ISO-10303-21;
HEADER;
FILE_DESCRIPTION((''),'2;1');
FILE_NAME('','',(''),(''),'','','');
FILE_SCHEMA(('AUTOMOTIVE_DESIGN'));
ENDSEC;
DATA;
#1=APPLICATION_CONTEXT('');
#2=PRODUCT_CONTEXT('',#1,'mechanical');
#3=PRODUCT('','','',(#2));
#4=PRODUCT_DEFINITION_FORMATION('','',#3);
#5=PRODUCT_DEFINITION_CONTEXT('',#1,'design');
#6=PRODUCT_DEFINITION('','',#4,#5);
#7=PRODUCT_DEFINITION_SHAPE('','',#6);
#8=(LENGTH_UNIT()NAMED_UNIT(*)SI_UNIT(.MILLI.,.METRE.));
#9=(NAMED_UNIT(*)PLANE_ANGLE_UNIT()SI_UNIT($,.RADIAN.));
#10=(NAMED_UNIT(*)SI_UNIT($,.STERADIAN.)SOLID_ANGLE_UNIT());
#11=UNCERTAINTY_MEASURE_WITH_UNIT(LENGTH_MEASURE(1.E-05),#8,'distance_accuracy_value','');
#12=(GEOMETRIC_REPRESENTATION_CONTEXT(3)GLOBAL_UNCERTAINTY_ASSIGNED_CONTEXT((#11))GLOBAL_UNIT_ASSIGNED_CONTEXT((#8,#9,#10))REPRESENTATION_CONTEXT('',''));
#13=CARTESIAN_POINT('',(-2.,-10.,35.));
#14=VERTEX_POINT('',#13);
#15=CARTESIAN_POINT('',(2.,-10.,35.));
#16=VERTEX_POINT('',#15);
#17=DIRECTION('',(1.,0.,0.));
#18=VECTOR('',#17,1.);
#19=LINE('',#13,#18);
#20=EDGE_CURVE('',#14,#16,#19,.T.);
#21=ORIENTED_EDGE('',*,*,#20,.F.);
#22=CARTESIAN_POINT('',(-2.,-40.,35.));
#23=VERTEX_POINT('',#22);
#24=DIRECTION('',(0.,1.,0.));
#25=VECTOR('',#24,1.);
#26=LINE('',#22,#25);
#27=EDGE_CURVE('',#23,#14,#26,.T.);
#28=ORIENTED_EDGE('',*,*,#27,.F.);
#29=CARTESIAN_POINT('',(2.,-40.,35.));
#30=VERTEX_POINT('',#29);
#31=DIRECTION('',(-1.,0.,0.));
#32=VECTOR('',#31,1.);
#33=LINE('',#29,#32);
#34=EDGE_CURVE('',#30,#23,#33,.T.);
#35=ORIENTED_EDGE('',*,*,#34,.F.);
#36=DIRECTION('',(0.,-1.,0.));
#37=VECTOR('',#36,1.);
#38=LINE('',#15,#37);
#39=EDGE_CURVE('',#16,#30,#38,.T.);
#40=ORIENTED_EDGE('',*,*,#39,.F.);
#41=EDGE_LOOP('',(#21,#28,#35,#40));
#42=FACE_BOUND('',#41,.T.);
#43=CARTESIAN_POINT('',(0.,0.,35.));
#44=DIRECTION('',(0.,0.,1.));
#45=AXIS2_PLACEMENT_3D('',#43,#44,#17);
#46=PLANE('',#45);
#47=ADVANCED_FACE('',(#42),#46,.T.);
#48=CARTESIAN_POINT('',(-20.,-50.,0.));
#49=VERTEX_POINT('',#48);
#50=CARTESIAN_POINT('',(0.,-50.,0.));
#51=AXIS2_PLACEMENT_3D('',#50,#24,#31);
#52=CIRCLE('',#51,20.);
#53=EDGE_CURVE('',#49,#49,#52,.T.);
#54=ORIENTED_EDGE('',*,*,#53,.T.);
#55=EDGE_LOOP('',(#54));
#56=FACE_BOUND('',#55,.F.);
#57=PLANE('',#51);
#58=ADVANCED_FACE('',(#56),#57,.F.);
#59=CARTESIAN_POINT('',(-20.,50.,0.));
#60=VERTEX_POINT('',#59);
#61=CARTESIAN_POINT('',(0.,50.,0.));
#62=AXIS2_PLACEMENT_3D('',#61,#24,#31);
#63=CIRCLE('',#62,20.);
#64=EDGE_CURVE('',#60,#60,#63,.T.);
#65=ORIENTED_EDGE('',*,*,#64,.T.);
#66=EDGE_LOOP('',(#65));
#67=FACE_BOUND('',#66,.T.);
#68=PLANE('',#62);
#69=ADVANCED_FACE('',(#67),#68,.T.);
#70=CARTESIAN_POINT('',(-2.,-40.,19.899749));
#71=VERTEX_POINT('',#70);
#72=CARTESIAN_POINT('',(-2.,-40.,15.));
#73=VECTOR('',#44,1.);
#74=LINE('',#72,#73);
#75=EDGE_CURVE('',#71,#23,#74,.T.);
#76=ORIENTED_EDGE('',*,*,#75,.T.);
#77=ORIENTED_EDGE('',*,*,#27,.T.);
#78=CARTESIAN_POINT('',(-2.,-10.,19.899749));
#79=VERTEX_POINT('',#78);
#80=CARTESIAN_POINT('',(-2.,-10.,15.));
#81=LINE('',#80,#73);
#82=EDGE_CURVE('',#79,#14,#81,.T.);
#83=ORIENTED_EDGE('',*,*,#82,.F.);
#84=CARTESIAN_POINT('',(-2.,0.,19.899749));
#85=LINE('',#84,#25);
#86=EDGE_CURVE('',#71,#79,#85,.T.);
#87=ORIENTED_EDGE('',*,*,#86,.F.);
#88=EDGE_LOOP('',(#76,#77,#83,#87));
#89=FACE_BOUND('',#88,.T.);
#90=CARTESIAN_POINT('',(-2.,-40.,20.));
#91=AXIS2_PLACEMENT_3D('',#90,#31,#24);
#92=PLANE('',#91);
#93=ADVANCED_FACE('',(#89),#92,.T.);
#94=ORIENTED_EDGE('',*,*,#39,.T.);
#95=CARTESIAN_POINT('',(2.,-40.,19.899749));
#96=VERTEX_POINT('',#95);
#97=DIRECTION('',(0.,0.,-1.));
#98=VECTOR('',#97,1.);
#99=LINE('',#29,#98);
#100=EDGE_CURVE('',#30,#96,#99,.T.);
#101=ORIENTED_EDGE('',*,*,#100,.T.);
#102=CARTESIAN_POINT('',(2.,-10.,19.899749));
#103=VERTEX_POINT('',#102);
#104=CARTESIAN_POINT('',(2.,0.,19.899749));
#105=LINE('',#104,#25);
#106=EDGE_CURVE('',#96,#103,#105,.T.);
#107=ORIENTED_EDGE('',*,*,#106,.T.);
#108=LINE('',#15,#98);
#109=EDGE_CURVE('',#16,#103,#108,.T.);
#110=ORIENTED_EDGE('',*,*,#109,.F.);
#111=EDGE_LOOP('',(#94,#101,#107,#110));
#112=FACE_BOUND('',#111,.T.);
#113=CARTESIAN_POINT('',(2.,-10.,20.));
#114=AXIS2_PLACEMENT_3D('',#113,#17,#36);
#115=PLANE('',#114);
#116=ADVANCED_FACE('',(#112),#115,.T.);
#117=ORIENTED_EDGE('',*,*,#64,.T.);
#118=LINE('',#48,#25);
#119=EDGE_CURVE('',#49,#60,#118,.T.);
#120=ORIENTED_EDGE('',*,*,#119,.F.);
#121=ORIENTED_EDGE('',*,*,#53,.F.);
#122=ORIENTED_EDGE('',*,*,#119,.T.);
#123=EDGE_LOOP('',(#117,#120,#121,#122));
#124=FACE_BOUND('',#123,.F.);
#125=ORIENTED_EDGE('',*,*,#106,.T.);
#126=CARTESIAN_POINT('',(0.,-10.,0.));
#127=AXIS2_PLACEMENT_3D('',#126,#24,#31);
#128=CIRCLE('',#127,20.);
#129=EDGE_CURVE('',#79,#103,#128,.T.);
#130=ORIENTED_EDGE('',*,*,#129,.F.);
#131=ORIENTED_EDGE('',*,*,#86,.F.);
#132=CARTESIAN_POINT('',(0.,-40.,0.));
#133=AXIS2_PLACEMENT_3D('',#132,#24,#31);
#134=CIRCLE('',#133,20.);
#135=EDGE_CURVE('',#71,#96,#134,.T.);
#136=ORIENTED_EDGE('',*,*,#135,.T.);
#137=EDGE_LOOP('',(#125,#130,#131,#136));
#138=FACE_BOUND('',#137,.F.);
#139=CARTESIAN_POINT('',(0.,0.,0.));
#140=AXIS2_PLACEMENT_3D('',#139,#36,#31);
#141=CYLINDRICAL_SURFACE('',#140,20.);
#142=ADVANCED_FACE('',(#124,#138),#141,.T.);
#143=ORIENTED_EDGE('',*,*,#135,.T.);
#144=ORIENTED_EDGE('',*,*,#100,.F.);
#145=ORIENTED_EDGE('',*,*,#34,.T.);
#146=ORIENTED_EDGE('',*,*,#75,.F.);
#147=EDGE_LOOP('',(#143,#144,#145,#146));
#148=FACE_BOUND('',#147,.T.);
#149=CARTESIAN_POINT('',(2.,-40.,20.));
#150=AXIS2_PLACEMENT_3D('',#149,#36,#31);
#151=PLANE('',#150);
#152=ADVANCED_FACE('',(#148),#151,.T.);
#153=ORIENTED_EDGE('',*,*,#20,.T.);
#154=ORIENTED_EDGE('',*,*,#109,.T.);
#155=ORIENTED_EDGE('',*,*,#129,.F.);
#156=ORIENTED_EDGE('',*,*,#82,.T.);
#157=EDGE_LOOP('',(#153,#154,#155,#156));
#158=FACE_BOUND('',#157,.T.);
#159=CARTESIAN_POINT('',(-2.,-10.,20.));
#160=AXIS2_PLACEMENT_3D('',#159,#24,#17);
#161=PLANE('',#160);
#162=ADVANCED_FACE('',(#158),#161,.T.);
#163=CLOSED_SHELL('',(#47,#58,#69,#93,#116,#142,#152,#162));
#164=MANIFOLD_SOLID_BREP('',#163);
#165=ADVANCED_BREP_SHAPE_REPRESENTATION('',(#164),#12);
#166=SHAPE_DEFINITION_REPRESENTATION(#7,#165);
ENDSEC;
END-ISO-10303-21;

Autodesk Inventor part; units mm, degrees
ref_plane "YZ Plane" through (0, 0, 0) normal (1, 0, 0) x (0, 1, 0)
ref_plane "XZ Plane" through (0, 0, 0) normal (0, 1, 0) x (-1, 0, 0)
sketch "Sketch1" plane through (0, 0, 0) normal (0, 1, 0) x (-1, 0, 0)
  circle A0 centre (0, 0) radius 20
  dimension "d0" = 40
extrude "Extrusion1" add sketch "Sketch1" along normal mid plane 100
ref_plane "Work Plane1" through (0, 0, 20) normal (0, 0, 1) x (1, 0, 0)
sketch "Sketch2" plane through (0, 0, 20) normal (0, 0, 1) x (1, 0, 0)
  line L0 (-2, -10) -> (2, -10)
  line L1 (2, -10) -> (2, -40)
  line L2 (2, -40) -> (-2, -40)
  line L3 (-2, -40) -> (-2, -10)
  point P0 (0, 0)
  dimension "d3" = 4
  dimension "d4" = 2
  dimension "d5" = 30
  dimension "d6" = 10
extrude "Extrusion2" add sketch "Sketch2" along normal blind 15 and the other way blind 5
properties part number "fuel" material "PAEK Plastic"
